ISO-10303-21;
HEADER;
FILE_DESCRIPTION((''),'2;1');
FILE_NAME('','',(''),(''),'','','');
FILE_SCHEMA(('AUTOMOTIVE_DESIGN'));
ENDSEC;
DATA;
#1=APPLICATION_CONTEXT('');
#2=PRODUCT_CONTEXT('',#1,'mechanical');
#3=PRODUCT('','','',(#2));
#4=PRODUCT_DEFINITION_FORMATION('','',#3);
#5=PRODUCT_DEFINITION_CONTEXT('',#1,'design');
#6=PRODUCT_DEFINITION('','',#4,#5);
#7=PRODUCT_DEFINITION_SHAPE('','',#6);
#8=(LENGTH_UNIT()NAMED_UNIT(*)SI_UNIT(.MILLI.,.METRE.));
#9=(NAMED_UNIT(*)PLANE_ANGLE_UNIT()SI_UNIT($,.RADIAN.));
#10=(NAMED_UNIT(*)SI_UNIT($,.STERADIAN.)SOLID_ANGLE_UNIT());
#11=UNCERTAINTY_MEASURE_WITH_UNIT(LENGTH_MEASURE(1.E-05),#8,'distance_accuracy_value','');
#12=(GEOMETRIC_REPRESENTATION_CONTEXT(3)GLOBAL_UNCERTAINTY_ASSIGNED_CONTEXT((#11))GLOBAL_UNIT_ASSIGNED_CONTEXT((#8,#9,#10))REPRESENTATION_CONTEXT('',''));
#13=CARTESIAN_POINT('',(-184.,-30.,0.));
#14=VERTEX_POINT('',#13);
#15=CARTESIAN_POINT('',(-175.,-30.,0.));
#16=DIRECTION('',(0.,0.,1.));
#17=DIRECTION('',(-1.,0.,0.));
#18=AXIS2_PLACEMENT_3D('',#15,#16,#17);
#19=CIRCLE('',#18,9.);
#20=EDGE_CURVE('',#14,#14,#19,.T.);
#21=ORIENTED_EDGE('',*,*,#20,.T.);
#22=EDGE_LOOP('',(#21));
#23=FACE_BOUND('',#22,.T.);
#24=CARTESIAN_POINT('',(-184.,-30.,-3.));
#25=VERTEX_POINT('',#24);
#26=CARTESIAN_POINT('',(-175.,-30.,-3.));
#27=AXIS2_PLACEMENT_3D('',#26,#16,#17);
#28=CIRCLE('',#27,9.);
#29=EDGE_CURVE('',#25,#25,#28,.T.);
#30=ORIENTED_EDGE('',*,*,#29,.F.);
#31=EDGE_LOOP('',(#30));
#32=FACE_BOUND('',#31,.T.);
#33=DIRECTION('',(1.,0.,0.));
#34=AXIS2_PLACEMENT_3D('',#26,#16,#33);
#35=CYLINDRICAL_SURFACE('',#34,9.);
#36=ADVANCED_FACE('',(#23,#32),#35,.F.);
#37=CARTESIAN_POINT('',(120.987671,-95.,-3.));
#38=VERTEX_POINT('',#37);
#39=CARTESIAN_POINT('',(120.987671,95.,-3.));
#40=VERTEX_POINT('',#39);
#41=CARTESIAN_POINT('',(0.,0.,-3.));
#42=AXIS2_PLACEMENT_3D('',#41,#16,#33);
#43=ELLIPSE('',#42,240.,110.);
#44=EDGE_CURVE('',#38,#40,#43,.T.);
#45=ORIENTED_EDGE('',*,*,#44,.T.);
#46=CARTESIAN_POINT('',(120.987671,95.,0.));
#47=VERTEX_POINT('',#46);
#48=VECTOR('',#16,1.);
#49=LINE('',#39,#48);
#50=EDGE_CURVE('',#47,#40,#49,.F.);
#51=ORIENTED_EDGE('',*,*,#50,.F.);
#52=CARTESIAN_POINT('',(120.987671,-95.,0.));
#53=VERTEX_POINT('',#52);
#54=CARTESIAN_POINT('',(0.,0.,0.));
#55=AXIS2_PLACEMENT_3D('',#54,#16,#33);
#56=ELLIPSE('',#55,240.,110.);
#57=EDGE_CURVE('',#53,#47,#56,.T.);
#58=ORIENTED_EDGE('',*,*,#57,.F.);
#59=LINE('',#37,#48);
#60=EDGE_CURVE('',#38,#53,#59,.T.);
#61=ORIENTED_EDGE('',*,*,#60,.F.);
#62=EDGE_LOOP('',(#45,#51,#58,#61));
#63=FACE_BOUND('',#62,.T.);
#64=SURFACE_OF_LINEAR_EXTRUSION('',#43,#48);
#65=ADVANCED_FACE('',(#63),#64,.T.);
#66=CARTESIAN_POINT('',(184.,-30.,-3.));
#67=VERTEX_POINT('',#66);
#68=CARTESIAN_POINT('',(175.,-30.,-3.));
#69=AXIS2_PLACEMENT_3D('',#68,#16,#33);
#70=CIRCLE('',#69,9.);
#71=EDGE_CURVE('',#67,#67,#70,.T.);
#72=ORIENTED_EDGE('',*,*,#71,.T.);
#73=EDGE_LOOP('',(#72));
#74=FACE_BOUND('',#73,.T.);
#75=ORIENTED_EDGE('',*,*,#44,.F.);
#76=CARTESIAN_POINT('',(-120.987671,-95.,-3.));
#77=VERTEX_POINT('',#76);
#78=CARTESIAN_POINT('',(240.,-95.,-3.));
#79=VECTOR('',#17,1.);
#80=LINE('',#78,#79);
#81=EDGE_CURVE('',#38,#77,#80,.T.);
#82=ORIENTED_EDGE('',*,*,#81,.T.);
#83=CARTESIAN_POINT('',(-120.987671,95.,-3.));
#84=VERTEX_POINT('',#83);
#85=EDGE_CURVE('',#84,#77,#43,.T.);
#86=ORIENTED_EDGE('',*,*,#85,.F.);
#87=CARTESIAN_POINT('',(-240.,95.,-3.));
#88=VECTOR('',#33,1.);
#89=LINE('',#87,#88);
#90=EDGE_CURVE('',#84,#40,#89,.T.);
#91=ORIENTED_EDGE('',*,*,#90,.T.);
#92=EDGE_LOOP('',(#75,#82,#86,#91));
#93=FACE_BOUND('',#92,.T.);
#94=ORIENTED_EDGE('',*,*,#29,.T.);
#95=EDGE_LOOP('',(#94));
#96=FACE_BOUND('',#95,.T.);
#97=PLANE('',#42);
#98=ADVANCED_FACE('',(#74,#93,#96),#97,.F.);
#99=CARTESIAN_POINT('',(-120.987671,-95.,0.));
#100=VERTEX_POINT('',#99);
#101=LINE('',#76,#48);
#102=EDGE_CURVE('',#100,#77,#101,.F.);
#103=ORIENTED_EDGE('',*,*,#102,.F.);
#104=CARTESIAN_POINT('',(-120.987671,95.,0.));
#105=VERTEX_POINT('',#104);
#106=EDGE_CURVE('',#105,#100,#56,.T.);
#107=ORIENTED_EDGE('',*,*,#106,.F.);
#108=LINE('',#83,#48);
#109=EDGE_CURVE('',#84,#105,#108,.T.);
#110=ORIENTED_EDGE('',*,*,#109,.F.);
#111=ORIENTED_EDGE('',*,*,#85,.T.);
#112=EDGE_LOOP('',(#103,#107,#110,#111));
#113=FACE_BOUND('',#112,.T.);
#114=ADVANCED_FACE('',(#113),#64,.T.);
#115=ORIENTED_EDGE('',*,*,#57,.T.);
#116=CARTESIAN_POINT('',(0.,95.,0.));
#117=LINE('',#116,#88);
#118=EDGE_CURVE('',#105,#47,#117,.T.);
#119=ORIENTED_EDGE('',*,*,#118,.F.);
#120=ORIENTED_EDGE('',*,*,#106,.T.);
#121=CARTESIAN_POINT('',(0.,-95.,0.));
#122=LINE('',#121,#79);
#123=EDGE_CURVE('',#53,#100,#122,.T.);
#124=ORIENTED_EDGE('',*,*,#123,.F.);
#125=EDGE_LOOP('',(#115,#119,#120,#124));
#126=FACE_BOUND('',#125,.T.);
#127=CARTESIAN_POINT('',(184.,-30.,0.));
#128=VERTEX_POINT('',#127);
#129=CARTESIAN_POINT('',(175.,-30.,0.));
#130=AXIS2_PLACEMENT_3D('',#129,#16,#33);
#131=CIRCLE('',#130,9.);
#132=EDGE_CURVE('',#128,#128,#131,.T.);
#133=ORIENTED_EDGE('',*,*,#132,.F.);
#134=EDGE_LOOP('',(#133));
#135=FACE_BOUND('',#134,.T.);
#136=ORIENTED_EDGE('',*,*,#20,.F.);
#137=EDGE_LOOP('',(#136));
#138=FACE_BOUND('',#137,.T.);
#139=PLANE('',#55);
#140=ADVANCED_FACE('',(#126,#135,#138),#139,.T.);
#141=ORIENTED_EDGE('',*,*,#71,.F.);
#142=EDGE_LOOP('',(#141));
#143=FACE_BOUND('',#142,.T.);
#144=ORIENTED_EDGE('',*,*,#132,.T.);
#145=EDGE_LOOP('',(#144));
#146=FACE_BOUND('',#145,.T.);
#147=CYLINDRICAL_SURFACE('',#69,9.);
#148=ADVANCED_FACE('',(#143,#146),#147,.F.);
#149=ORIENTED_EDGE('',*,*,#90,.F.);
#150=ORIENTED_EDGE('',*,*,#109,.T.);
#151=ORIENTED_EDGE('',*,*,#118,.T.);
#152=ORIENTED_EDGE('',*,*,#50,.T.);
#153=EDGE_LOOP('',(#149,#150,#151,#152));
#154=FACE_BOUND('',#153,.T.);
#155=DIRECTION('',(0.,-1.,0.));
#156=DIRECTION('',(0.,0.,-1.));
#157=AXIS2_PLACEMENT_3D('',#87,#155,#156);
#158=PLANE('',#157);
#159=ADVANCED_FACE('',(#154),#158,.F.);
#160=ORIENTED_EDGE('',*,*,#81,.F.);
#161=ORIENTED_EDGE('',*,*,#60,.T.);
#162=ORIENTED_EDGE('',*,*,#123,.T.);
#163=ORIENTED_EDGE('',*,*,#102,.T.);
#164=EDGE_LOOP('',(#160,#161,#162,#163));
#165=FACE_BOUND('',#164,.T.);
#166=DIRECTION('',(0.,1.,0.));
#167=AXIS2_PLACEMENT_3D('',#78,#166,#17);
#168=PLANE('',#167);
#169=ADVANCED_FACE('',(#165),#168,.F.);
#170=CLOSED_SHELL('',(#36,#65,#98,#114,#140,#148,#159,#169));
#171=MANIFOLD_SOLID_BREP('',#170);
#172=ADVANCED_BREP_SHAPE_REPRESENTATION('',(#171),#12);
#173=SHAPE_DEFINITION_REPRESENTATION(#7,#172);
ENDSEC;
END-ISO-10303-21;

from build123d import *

# Parameters (mm, degrees)
SKETCH1_RX          = 240
SKETCH1_RY          = 110
BOSS_EXTRUDE1_DEPTH = 3
SKETCH12_R          = 9
CUT_EXTRUDE8_DEPTH  = 265.024620064
SKETCH13_W          = 480
SKETCH13_H          = 15
CUT_EXTRUDE9_DEPTH  = 265.024620064


with BuildPart() as part:
    # Sketch1 → Boss-Extrude1 (new body)
    with BuildSketch(Plane.XY):
        with Locations((0, 0)):
            Ellipse(SKETCH1_RX, SKETCH1_RY)
    extrude(amount=-BOSS_EXTRUDE1_DEPTH)

    # Sketch12 → Cut-Extrude8 (cut, through all)
    with BuildSketch(Plane.XY):
        with Locations((175, -30)):
            Circle(SKETCH12_R)
        with Locations(Location((-175, -30, 0), (0, 0, 180))):
            Circle(SKETCH12_R)
    extrude(amount=-CUT_EXTRUDE8_DEPTH, mode=Mode.SUBTRACT)

    # Sketch13 → Cut-Extrude9 (cut, through all)
    with BuildSketch(Plane.XY):
        with Locations((0, -102.5)):
            Rectangle(SKETCH13_W, SKETCH13_H)
        with Locations((0, 102.5)):
            Rectangle(SKETCH13_W, SKETCH13_H)
    extrude(amount=-CUT_EXTRUDE9_DEPTH, mode=Mode.SUBTRACT)


solid = part.part
